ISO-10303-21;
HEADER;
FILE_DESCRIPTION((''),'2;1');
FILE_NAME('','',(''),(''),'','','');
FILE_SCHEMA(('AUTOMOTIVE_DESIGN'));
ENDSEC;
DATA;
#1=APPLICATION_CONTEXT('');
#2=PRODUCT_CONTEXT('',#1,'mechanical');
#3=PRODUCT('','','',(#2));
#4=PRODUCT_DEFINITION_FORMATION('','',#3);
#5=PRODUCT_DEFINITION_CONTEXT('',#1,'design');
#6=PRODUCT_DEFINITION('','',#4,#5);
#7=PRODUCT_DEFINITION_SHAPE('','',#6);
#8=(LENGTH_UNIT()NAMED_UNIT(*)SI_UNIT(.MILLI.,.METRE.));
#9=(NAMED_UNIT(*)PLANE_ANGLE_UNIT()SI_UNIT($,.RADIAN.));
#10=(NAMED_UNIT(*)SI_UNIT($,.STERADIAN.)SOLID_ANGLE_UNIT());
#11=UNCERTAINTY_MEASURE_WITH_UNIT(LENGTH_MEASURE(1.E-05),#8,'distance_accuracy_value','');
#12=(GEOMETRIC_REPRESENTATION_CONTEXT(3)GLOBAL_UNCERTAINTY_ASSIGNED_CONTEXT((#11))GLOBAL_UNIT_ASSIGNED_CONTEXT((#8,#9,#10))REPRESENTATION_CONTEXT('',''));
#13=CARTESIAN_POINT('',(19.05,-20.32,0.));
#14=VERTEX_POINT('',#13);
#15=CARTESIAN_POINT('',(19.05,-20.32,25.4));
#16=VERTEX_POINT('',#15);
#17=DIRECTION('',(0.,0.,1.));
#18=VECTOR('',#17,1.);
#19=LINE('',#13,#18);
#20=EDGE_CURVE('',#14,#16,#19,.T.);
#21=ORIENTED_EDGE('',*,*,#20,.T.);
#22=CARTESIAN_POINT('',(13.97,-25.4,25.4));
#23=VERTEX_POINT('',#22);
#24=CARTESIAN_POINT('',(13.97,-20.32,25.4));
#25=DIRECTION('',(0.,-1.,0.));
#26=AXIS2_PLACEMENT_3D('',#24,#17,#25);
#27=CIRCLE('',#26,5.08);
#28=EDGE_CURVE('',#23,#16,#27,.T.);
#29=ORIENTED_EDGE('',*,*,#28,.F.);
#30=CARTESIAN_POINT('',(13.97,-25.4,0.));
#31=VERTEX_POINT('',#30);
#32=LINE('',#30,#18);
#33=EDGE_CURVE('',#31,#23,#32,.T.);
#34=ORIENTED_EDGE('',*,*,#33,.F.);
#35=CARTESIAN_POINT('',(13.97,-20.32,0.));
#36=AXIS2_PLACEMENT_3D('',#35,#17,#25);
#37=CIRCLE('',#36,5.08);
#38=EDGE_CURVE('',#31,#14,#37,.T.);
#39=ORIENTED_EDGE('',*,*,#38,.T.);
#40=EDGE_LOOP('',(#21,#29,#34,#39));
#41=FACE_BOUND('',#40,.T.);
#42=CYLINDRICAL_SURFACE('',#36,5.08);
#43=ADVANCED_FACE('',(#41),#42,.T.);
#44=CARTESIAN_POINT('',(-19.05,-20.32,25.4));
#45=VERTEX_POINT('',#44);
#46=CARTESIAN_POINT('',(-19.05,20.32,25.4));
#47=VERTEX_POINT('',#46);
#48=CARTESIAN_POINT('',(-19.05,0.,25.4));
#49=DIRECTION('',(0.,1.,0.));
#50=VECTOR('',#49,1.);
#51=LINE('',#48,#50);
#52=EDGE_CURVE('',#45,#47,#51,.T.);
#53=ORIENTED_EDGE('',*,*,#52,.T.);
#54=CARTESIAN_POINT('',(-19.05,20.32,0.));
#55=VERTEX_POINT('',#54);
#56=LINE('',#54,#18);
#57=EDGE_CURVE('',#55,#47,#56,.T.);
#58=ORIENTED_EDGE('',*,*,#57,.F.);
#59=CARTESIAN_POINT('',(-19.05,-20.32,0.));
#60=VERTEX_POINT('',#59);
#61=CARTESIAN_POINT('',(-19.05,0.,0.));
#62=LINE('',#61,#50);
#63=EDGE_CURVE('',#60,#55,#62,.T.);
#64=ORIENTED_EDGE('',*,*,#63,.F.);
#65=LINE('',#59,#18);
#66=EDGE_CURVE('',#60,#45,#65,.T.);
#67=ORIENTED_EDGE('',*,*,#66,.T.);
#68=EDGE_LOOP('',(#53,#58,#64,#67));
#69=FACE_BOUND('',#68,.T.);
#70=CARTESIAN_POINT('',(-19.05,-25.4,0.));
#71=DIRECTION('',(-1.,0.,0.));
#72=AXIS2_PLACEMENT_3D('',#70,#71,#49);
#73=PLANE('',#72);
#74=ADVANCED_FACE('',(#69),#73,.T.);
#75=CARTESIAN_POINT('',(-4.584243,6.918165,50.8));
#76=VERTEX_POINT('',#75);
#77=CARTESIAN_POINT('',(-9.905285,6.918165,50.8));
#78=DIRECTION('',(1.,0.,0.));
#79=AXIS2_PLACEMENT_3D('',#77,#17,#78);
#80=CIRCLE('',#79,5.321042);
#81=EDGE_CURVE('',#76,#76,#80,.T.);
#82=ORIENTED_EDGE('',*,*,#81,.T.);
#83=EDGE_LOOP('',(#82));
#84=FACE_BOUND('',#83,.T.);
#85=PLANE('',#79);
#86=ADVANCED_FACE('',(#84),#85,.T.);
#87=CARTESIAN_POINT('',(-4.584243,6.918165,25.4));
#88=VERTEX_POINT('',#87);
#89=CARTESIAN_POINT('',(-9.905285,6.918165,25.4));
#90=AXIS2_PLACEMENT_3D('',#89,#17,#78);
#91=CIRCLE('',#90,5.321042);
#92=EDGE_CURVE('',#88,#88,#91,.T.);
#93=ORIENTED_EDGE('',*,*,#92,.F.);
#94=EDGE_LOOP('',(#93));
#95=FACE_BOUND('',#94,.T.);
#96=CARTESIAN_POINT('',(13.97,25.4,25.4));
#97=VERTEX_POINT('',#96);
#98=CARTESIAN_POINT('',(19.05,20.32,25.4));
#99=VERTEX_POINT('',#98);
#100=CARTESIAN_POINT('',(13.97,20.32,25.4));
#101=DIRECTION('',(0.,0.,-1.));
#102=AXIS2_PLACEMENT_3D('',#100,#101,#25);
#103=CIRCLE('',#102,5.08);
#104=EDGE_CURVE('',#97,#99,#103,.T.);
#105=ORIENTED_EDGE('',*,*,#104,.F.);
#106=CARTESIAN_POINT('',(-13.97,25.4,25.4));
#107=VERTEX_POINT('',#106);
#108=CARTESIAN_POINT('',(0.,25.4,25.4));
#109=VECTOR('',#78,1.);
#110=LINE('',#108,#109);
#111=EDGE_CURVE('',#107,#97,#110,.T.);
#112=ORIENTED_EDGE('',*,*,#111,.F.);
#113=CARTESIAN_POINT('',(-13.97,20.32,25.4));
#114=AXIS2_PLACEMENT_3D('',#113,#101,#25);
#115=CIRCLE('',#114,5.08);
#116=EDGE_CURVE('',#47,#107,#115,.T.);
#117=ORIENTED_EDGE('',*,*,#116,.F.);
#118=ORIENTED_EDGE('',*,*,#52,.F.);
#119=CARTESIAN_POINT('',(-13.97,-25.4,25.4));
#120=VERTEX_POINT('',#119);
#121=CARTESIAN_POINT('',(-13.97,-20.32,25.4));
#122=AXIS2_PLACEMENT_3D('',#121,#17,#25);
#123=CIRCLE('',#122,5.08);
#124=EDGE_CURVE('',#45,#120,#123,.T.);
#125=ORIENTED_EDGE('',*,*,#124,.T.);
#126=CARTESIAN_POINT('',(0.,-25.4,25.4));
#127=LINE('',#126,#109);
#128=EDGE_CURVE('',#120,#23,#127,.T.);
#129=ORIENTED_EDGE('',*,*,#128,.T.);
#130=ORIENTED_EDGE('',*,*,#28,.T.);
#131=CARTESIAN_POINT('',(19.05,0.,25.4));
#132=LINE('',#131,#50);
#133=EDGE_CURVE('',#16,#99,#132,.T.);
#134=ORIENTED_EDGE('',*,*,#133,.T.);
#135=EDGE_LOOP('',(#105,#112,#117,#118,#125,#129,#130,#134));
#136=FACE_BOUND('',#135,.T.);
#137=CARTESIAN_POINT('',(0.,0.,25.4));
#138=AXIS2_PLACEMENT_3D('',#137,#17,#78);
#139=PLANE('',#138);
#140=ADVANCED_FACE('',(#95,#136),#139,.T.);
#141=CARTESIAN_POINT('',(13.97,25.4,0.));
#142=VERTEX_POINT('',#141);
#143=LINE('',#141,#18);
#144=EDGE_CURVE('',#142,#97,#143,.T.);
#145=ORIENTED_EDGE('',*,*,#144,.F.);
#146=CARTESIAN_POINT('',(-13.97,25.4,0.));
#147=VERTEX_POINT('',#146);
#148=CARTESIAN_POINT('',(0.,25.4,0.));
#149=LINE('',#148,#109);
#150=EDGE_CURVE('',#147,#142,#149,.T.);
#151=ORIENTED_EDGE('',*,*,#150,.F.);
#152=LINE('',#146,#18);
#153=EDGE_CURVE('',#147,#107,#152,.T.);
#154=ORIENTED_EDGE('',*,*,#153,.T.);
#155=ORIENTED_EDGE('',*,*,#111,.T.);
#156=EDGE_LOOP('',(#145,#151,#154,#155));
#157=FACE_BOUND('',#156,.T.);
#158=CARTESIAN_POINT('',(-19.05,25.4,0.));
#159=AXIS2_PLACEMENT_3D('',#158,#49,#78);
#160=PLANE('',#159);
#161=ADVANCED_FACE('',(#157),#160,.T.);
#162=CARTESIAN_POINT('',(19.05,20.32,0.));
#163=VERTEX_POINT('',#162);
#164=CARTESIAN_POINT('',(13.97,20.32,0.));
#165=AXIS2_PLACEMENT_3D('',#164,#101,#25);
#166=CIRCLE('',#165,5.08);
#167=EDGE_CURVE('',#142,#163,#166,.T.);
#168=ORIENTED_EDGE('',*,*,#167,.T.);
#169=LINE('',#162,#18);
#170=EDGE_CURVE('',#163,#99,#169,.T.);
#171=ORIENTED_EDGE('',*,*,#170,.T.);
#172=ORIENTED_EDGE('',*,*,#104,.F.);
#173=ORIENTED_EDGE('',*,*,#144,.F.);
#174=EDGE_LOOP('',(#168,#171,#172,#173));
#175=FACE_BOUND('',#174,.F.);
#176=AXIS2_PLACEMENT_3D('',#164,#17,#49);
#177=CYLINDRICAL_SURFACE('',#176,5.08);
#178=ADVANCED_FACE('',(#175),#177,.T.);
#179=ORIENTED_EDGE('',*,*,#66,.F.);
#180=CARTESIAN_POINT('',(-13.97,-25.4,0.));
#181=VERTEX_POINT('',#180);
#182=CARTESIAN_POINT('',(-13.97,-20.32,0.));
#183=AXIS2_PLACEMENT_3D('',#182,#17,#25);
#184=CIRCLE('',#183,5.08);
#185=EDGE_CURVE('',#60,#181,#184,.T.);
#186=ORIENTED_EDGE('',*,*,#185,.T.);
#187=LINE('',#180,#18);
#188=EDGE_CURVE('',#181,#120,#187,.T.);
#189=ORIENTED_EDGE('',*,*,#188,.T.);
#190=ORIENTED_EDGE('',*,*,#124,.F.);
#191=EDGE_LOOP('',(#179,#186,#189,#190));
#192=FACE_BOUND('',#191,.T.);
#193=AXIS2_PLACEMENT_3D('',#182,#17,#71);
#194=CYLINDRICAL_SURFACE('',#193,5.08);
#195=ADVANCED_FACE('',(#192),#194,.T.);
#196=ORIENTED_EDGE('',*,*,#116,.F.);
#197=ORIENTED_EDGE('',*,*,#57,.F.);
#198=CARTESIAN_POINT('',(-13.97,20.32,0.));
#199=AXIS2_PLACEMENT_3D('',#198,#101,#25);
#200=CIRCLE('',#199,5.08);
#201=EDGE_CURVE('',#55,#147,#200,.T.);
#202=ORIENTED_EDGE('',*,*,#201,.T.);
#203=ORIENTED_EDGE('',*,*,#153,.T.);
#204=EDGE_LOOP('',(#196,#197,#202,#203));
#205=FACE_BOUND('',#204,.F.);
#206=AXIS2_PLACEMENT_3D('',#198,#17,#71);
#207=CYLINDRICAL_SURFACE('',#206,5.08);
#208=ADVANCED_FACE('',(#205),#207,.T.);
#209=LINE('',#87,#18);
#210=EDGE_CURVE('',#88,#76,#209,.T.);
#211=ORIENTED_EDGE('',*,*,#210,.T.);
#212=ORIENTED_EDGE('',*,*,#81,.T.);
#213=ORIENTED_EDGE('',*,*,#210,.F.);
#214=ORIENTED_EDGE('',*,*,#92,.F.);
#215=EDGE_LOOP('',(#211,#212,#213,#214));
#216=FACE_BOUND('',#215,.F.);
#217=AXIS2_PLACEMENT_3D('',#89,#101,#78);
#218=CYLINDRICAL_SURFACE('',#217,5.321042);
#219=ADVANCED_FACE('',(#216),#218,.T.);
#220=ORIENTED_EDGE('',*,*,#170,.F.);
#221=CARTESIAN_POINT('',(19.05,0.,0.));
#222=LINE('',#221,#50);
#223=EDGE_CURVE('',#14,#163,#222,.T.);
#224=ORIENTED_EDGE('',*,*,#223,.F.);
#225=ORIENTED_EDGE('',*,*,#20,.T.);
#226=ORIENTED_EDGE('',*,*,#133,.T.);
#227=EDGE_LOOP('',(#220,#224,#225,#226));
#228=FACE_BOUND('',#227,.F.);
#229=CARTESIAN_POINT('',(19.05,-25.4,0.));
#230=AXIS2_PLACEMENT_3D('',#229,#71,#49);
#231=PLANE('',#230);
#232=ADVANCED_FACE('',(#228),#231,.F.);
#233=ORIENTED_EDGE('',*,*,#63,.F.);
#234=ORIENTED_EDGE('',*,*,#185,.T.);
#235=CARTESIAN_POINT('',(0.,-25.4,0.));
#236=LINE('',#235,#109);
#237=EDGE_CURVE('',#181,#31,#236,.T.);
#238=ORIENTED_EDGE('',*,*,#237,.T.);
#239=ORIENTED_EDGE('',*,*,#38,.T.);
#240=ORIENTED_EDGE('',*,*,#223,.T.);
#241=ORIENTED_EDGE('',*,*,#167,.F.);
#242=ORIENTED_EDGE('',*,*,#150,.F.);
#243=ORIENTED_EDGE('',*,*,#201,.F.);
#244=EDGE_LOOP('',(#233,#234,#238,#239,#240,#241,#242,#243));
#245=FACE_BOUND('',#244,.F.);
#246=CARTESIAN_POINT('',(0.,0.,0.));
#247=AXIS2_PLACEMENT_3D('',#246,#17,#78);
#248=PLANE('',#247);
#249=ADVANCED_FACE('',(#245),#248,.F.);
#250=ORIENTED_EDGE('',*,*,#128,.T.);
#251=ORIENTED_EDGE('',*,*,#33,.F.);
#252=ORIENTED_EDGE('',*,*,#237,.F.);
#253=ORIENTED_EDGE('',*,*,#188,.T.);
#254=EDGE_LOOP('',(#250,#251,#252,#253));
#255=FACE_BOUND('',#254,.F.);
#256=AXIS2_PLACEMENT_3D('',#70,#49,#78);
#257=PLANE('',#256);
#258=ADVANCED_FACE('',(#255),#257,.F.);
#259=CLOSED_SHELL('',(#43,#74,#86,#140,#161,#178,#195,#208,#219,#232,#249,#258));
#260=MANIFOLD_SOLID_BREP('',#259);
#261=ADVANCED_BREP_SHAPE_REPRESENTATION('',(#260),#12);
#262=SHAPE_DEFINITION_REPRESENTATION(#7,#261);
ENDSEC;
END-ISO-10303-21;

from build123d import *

# Parameters (mm, degrees)
F0_W     = 38.1
F0_H     = 50.8
F1_DEPTH = 25.4
F2_R     = 5.321042
F3_DEPTH = 25.4
F4_R     = 5.08


with BuildPart() as f1:
    # F0 (on Top) → F1 (new body)
    with BuildSketch(Plane.XY):
        Rectangle(F0_W, F0_H)
    extrude(amount=F1_DEPTH)

    # F2 (on face) → F3 (join)
    with BuildSketch(Plane.XY.offset(25.4)):
        with Locations((-9.905285, 6.918165)):
            Circle(F2_R)
    extrude(amount=F3_DEPTH)

    # F4
    f4_edges = [f1.edges().sort_by_distance(p)[0] for p in [
        (-19.05, -25.4, 12.7),
        (19.05, -25.4, 12.7),
        (-19.05, 25.4, 12.7),
        (19.05, 25.4, 12.7),
    ]]
    fillet(f4_edges, radius=F4_R)


solid = f1.part
